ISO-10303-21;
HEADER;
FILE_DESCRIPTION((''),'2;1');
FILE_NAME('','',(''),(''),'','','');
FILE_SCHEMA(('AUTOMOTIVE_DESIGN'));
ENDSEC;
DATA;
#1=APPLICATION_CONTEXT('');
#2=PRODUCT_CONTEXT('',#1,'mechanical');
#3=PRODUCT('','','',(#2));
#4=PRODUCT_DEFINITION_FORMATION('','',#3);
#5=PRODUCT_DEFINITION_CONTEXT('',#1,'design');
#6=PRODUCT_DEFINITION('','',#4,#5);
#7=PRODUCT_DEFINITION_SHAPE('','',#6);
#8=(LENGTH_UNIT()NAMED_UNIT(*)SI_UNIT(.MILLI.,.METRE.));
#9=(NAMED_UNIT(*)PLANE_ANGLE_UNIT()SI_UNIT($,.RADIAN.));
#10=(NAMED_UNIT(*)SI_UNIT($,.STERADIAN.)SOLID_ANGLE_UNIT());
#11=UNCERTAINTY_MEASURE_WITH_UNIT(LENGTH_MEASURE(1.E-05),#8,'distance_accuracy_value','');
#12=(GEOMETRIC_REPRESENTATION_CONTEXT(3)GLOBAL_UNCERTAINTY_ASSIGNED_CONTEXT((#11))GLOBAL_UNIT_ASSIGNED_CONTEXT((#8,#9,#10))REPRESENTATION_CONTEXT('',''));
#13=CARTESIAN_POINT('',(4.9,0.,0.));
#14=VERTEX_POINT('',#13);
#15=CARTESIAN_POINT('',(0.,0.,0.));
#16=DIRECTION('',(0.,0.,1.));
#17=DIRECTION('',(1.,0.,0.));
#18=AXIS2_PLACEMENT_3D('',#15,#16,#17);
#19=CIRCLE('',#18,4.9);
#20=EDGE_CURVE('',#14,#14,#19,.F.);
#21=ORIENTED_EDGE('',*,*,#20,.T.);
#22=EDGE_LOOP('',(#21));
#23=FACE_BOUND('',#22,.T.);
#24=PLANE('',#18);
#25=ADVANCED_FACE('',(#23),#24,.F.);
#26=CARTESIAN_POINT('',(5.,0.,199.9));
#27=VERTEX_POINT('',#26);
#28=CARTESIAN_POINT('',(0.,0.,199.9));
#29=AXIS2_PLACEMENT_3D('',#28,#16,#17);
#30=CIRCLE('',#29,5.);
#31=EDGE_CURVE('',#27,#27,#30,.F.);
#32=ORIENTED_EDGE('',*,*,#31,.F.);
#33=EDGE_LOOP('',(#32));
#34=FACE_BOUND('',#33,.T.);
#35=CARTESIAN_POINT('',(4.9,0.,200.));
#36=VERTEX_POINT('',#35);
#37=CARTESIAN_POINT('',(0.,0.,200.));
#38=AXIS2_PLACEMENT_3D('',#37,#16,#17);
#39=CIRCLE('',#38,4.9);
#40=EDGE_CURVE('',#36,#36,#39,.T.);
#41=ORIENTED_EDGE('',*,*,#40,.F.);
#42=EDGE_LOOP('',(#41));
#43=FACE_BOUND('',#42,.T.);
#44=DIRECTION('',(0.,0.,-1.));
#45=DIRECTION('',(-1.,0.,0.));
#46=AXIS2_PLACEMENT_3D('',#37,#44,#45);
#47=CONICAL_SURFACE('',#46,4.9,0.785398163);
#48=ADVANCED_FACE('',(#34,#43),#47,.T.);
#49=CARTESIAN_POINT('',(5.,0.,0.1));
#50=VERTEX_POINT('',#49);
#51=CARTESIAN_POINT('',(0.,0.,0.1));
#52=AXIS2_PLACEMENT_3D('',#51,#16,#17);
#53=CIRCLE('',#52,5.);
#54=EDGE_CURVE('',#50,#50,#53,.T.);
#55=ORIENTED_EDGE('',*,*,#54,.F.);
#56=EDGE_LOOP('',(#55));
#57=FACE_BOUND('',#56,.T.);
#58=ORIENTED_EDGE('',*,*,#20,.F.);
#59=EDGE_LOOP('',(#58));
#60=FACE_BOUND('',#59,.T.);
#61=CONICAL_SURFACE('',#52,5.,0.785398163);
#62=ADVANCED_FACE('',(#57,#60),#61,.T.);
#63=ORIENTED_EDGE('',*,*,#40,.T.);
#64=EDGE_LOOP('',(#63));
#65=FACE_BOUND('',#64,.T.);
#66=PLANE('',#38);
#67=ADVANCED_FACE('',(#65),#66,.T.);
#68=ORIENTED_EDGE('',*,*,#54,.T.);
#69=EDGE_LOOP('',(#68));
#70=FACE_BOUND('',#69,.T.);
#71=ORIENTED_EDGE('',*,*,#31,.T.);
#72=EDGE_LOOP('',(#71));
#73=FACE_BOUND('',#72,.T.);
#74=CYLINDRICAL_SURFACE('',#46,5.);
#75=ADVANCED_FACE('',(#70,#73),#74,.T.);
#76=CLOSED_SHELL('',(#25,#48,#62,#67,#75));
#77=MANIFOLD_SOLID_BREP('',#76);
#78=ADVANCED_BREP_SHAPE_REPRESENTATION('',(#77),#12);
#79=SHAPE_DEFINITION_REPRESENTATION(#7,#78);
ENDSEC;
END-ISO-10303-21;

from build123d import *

# Parameters (mm, degrees)
SKETCH_1_R      = 5
EXTRUDE_1_DEPTH = 200
CHAMFER_1_SIZE  = 0.1


with BuildPart() as part:
    # Эскиз1 → Бобышка-Вытянуть1 (new body)
    with BuildSketch(Plane.XY):
        Circle(SKETCH_1_R)
    extrude(amount=EXTRUDE_1_DEPTH)

    # Фаска1
    chamfer_1_edges = [part.edges().sort_by_distance(p)[0] for p in [
        (-5, 0, 0),
        (-5, 0, 200),
    ]]
    chamfer(chamfer_1_edges, length=CHAMFER_1_SIZE)


solid = part.part
